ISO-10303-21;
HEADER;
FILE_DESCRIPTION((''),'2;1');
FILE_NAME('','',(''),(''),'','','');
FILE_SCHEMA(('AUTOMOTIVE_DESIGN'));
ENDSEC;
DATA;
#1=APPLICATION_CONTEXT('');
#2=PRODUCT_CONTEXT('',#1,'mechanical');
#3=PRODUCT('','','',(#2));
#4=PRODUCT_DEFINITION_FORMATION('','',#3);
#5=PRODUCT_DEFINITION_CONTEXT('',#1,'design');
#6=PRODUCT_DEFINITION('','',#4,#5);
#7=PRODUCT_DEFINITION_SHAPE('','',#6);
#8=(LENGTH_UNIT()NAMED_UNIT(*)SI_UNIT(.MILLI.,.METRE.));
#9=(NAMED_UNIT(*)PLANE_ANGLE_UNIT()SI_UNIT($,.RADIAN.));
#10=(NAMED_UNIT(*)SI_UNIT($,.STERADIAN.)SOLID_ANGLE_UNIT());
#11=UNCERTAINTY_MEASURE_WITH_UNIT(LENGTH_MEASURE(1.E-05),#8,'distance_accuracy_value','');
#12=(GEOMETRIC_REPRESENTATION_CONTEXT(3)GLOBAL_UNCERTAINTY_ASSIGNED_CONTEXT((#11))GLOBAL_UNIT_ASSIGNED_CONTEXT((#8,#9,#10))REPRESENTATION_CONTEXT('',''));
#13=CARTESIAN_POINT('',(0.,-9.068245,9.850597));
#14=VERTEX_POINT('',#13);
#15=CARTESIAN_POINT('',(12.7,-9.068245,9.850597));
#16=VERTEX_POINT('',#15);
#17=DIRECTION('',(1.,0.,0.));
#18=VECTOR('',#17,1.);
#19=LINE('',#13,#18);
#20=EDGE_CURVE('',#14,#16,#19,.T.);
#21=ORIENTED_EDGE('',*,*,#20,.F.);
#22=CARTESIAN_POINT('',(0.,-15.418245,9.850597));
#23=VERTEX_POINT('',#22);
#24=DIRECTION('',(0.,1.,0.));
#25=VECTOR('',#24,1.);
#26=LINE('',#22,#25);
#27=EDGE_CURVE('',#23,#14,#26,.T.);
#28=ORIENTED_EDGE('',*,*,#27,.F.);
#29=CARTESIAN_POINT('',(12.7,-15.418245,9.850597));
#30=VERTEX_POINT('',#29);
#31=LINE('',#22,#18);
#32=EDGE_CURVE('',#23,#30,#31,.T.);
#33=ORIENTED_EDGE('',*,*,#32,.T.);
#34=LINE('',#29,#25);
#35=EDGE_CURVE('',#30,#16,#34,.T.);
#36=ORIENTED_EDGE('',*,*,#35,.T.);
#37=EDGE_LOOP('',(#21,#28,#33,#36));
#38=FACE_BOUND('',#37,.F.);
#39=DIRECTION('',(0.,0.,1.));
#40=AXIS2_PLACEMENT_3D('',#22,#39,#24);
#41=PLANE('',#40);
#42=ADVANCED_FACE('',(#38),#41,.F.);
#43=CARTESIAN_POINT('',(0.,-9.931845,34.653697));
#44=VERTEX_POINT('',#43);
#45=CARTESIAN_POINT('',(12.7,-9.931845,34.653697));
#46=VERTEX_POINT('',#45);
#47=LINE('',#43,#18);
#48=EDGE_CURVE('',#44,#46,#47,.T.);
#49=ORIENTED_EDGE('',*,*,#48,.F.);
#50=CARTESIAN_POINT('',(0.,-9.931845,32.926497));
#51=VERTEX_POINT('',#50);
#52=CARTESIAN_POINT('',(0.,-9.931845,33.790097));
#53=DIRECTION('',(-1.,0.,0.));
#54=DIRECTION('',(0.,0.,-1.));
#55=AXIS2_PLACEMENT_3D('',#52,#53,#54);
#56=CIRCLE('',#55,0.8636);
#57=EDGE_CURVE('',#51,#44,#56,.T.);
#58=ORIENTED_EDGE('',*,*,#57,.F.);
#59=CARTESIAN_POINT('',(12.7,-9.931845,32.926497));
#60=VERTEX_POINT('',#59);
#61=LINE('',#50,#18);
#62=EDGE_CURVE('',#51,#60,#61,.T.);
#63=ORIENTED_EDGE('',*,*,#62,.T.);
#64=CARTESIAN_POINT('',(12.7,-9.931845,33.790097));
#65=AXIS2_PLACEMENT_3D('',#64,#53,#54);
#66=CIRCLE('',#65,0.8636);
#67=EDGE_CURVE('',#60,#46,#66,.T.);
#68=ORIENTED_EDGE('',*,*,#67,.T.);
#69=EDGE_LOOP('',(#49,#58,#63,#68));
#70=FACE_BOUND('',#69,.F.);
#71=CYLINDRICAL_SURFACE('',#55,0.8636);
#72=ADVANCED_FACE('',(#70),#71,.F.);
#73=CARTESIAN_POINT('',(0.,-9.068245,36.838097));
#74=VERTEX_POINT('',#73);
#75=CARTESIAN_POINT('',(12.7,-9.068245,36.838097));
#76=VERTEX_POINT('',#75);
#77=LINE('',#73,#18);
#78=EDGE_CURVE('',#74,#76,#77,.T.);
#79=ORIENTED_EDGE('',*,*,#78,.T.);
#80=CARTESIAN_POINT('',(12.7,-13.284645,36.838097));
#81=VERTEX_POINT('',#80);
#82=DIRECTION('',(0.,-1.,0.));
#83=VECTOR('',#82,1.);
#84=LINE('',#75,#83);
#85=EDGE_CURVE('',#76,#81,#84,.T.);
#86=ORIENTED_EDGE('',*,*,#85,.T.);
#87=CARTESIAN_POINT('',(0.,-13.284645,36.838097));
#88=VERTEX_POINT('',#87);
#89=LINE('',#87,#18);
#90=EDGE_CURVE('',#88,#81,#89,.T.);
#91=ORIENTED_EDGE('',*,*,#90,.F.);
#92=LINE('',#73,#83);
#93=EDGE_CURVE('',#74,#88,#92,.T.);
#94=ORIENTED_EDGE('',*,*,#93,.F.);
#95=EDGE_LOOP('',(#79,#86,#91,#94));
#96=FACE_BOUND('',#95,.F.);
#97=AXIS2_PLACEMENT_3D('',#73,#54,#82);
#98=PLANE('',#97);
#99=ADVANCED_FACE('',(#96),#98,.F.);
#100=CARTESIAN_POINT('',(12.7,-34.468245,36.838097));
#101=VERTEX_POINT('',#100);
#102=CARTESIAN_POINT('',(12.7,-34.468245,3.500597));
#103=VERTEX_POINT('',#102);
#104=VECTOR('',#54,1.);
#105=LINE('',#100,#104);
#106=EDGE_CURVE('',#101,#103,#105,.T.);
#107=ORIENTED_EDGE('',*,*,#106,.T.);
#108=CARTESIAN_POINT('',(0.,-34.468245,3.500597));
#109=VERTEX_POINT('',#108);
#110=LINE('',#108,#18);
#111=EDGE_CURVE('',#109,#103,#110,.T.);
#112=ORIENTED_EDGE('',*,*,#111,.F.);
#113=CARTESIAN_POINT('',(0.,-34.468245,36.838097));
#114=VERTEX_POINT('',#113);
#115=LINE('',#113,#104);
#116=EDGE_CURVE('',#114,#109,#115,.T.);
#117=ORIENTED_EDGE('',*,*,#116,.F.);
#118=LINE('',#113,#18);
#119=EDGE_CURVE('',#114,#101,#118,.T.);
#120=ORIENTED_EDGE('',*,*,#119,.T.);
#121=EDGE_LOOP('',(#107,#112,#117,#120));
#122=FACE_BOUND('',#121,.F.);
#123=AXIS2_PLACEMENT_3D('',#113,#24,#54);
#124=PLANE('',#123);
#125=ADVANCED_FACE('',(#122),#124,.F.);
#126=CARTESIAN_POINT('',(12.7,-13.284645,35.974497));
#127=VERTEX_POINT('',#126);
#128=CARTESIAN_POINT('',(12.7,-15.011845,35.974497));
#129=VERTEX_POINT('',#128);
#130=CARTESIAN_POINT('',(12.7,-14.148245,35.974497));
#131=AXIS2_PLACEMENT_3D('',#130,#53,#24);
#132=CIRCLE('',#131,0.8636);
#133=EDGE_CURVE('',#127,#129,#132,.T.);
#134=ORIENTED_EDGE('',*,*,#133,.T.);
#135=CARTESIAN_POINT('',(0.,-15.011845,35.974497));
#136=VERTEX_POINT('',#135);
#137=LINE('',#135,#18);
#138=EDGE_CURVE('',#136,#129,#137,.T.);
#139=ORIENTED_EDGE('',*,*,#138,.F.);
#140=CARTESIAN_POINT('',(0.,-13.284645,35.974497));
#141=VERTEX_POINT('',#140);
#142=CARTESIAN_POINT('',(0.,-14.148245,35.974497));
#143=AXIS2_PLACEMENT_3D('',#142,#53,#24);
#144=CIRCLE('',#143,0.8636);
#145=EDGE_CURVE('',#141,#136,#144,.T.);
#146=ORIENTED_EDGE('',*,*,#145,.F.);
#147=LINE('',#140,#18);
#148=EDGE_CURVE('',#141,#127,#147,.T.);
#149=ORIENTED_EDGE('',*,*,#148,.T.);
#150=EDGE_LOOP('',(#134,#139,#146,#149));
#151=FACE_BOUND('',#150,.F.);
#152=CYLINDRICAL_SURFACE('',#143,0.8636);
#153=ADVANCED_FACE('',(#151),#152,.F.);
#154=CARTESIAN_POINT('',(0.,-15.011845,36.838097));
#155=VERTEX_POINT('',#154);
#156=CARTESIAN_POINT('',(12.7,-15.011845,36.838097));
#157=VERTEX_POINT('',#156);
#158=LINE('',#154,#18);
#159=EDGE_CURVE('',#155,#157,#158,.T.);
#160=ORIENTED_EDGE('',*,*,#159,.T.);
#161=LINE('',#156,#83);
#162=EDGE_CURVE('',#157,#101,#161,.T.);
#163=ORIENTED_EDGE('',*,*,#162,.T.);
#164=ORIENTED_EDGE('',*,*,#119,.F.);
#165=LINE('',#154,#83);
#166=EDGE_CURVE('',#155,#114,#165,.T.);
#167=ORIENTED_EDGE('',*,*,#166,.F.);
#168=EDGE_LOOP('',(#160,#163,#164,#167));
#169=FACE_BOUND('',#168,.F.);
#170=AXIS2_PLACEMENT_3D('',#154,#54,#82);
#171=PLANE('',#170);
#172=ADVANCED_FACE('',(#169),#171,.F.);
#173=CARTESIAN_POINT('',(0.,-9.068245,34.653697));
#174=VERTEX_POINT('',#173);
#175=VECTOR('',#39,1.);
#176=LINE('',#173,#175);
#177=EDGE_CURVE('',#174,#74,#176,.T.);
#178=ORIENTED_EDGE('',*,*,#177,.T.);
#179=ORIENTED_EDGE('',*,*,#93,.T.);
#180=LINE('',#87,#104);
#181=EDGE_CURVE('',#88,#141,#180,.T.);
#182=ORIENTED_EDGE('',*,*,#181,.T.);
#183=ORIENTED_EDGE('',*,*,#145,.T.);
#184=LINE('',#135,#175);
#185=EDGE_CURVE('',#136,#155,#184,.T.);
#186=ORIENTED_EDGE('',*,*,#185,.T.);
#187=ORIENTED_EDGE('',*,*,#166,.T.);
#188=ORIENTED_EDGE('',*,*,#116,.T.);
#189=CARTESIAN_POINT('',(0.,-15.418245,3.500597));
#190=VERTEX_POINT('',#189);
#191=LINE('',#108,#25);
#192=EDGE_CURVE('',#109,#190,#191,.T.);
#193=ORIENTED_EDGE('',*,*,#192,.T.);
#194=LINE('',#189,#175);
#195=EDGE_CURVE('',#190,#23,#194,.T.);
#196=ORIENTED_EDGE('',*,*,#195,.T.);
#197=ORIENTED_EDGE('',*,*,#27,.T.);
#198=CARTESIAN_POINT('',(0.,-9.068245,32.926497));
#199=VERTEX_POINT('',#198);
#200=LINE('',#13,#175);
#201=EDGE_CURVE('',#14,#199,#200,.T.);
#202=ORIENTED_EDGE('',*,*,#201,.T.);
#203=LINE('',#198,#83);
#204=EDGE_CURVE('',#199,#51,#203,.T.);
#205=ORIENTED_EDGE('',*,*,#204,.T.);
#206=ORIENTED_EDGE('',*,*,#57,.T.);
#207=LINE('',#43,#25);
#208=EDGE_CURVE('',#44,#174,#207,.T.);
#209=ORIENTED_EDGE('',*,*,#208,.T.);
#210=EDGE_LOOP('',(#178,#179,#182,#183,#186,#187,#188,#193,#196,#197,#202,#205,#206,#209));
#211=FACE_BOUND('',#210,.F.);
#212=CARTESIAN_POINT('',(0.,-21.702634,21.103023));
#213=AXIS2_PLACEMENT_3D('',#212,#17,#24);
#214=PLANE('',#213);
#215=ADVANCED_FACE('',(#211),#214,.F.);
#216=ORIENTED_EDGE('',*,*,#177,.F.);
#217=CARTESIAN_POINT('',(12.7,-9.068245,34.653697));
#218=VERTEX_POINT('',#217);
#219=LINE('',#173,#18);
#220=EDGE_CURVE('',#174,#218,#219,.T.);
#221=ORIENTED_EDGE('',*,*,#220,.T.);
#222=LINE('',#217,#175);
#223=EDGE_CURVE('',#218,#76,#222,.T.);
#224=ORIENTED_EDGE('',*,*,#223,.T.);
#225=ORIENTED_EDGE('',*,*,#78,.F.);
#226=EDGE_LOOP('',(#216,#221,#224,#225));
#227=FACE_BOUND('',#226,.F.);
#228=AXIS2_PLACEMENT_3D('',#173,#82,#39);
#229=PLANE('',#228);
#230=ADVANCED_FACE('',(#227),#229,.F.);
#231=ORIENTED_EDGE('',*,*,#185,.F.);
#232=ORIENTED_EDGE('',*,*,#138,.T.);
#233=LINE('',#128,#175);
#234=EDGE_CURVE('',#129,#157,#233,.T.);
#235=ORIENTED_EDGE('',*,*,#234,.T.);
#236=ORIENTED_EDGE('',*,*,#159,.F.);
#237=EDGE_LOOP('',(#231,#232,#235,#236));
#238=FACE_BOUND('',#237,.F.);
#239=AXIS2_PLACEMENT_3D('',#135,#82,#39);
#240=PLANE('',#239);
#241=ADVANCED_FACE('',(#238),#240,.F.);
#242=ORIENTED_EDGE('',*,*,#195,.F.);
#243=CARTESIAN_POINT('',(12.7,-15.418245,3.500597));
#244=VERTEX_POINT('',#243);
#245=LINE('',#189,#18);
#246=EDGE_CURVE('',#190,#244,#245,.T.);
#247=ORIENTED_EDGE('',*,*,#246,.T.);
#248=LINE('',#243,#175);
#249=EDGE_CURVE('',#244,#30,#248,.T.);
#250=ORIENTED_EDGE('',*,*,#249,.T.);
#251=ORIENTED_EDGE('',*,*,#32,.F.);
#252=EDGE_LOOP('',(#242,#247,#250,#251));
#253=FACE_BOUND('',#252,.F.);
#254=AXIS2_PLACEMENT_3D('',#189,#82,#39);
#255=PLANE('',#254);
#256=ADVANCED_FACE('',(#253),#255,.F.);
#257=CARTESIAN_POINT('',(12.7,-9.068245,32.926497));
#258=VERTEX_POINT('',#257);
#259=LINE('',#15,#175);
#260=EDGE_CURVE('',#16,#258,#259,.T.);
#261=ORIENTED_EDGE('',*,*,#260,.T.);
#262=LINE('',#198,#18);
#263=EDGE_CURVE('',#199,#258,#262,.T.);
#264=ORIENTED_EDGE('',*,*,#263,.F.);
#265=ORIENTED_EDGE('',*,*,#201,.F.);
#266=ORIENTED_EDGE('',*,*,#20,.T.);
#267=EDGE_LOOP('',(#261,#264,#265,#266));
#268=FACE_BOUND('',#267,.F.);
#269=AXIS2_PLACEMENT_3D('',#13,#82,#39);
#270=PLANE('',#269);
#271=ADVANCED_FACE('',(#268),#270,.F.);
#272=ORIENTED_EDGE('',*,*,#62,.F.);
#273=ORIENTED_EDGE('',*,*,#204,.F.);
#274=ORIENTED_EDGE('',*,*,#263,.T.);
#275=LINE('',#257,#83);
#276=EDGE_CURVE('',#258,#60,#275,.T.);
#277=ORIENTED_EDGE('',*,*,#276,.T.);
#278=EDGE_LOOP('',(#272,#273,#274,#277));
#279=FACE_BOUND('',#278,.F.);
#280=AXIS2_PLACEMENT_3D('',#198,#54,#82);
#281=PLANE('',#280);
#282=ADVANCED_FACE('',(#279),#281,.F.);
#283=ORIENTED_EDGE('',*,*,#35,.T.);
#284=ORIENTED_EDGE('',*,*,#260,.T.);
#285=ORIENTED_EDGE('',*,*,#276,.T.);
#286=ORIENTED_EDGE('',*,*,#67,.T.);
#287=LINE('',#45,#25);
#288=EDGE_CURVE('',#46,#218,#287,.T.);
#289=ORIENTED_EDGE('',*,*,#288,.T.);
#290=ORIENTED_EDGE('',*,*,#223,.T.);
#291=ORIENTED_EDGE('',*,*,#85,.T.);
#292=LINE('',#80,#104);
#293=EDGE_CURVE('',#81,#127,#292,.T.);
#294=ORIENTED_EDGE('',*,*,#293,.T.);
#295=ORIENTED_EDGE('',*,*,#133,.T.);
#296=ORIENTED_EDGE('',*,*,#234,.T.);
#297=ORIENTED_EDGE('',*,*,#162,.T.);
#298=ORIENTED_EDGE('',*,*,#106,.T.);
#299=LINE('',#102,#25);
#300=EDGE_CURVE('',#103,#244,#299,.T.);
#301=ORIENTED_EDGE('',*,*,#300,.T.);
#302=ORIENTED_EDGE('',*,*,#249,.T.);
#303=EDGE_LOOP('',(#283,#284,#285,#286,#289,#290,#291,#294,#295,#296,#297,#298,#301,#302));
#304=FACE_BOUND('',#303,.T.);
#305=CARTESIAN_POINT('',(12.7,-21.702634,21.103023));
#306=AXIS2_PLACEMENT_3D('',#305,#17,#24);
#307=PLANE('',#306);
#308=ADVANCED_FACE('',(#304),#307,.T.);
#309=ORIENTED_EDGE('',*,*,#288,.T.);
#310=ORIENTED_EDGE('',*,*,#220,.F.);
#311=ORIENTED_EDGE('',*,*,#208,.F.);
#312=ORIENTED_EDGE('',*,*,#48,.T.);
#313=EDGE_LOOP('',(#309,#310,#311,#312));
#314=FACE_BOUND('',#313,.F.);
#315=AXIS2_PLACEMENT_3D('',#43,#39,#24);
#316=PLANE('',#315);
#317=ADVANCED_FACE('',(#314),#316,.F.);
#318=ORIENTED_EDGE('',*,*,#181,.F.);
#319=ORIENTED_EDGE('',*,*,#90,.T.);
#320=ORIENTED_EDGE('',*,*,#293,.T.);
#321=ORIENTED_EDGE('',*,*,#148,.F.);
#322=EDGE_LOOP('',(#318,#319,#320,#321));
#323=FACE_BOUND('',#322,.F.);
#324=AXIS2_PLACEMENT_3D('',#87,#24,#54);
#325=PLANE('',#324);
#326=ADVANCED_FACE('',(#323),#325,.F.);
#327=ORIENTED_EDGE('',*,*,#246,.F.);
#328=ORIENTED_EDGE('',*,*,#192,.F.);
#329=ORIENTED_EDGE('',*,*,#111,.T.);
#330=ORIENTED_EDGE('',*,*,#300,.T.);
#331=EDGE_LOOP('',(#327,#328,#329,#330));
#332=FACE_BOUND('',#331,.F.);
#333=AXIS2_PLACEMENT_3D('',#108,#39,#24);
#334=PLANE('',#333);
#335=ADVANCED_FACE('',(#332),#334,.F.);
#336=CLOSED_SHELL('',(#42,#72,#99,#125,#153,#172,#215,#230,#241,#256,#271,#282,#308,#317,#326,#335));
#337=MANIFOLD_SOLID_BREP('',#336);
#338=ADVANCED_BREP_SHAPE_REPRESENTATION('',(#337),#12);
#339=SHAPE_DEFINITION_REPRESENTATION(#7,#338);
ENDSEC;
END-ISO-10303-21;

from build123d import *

# Parameters (mm, degrees)
F1_DEPTH = 12.7


with BuildPart() as f1:
    # F0 (on Right) → F1 (new body)
    with BuildSketch(Plane.YZ):
        with BuildLine():
            Line((-15.011845, 36.838097), (-34.468245, 36.838097))
            Line((-34.468245, 36.838097), (-34.468245, 3.500597))
            Line((-34.468245, 3.500597), (-15.418245, 3.500597))
            Line((-15.418245, 3.500597), (-15.418245, 9.850597))
            Line((-15.418245, 9.850597), (-9.068245, 9.850597))
            Line((-9.068245, 9.850597), (-9.068245, 32.926497))
            Line((-9.068245, 32.926497), (-9.931845, 32.926497))
            ThreePointArc((-9.931845, 32.926497), (-10.795445, 33.790097), (-9.931845, 34.653697))
            Line((-9.931845, 34.653697), (-9.068245, 34.653697))
            Line((-9.068245, 34.653697), (-9.068245, 36.838097))
            Line((-9.068245, 36.838097), (-13.284645, 36.838097))
            Line((-13.284645, 36.838097), (-13.284645, 35.974497))
            ThreePointArc((-13.284645, 35.974497), (-14.148245, 35.110897), (-15.011845, 35.974497))
            Line((-15.011845, 35.974497), (-15.011845, 36.838097))
        make_face()
    extrude(amount=F1_DEPTH)


solid = f1.part
